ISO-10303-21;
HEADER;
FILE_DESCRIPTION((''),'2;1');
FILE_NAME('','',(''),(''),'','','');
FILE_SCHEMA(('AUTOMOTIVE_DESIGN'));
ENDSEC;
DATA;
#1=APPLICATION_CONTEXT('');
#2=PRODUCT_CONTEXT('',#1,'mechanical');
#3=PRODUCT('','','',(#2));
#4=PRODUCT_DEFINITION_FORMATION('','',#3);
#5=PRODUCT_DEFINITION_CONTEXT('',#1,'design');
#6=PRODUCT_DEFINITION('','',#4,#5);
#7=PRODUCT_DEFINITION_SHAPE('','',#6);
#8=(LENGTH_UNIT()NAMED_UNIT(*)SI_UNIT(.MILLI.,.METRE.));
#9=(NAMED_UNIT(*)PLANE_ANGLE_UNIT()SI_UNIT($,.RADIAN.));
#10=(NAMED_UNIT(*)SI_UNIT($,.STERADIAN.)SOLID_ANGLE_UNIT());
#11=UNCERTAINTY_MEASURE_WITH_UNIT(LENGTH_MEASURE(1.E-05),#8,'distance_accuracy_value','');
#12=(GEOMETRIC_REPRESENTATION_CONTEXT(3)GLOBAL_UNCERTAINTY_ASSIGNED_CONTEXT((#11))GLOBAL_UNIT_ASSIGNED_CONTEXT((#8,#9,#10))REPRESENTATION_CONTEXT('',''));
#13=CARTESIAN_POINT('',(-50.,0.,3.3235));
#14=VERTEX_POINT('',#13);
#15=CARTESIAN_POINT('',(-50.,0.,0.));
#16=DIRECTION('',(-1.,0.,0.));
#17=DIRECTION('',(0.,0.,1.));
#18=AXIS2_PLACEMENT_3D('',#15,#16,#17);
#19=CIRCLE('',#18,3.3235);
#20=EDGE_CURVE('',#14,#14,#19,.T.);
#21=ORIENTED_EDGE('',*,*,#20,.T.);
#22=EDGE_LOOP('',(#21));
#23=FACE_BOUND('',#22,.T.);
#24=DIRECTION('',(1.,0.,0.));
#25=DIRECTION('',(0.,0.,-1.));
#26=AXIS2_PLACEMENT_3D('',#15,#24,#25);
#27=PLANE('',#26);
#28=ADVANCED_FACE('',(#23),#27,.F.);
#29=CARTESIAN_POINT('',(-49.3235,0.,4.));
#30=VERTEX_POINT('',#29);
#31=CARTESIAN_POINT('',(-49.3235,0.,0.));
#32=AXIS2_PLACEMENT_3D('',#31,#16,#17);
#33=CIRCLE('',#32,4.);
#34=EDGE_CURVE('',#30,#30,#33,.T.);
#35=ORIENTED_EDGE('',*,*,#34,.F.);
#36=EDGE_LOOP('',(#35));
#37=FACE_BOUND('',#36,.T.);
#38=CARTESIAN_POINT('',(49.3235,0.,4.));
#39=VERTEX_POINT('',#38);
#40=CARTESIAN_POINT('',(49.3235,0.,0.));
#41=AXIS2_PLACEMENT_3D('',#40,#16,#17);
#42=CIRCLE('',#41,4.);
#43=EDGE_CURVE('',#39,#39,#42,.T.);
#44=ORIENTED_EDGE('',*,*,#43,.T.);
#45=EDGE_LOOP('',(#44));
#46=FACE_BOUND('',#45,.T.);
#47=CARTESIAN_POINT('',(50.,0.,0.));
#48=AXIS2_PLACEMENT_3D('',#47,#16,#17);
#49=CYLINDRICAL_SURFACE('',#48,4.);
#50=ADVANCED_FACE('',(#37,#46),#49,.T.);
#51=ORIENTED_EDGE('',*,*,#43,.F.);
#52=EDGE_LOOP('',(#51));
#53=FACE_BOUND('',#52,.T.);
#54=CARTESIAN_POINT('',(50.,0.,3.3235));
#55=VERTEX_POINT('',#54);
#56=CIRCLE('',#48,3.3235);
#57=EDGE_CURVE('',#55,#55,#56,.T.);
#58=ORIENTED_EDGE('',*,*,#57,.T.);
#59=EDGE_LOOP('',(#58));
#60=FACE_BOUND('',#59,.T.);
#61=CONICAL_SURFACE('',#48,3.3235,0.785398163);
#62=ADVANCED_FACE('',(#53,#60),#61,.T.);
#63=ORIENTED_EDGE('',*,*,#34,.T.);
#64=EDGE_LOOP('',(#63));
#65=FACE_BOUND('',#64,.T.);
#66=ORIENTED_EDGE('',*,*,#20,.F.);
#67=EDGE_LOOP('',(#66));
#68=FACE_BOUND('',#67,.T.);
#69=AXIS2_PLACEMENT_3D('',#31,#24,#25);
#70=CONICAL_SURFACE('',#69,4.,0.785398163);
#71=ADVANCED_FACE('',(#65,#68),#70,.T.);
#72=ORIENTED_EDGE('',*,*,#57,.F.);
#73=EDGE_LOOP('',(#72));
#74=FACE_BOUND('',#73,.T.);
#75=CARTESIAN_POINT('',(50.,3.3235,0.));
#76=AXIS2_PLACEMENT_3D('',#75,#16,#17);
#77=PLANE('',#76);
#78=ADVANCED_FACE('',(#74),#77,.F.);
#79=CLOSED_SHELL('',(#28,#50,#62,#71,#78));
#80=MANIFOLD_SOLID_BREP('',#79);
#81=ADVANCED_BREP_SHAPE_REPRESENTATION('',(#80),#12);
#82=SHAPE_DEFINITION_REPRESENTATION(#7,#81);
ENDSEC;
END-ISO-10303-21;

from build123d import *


with BuildPart() as part:
    # 草图1 → 旋转1 (revolve)
    with BuildSketch(Plane.XY, mode=Mode.PRIVATE) as revolve_1_sk:
        Polygon((-50, 0), (-50, 3.3235), (-49.3235, 4), (49.3235, 4), (50, 3.3235), (50, 0), align=None)
    revolve(revolve_1_sk.sketch.rotate(Axis((50, 0, 0), (-1, 0, 0)), 270), axis=Axis((50, 0, 0), (-1, 0, 0)))


solid = part.part
